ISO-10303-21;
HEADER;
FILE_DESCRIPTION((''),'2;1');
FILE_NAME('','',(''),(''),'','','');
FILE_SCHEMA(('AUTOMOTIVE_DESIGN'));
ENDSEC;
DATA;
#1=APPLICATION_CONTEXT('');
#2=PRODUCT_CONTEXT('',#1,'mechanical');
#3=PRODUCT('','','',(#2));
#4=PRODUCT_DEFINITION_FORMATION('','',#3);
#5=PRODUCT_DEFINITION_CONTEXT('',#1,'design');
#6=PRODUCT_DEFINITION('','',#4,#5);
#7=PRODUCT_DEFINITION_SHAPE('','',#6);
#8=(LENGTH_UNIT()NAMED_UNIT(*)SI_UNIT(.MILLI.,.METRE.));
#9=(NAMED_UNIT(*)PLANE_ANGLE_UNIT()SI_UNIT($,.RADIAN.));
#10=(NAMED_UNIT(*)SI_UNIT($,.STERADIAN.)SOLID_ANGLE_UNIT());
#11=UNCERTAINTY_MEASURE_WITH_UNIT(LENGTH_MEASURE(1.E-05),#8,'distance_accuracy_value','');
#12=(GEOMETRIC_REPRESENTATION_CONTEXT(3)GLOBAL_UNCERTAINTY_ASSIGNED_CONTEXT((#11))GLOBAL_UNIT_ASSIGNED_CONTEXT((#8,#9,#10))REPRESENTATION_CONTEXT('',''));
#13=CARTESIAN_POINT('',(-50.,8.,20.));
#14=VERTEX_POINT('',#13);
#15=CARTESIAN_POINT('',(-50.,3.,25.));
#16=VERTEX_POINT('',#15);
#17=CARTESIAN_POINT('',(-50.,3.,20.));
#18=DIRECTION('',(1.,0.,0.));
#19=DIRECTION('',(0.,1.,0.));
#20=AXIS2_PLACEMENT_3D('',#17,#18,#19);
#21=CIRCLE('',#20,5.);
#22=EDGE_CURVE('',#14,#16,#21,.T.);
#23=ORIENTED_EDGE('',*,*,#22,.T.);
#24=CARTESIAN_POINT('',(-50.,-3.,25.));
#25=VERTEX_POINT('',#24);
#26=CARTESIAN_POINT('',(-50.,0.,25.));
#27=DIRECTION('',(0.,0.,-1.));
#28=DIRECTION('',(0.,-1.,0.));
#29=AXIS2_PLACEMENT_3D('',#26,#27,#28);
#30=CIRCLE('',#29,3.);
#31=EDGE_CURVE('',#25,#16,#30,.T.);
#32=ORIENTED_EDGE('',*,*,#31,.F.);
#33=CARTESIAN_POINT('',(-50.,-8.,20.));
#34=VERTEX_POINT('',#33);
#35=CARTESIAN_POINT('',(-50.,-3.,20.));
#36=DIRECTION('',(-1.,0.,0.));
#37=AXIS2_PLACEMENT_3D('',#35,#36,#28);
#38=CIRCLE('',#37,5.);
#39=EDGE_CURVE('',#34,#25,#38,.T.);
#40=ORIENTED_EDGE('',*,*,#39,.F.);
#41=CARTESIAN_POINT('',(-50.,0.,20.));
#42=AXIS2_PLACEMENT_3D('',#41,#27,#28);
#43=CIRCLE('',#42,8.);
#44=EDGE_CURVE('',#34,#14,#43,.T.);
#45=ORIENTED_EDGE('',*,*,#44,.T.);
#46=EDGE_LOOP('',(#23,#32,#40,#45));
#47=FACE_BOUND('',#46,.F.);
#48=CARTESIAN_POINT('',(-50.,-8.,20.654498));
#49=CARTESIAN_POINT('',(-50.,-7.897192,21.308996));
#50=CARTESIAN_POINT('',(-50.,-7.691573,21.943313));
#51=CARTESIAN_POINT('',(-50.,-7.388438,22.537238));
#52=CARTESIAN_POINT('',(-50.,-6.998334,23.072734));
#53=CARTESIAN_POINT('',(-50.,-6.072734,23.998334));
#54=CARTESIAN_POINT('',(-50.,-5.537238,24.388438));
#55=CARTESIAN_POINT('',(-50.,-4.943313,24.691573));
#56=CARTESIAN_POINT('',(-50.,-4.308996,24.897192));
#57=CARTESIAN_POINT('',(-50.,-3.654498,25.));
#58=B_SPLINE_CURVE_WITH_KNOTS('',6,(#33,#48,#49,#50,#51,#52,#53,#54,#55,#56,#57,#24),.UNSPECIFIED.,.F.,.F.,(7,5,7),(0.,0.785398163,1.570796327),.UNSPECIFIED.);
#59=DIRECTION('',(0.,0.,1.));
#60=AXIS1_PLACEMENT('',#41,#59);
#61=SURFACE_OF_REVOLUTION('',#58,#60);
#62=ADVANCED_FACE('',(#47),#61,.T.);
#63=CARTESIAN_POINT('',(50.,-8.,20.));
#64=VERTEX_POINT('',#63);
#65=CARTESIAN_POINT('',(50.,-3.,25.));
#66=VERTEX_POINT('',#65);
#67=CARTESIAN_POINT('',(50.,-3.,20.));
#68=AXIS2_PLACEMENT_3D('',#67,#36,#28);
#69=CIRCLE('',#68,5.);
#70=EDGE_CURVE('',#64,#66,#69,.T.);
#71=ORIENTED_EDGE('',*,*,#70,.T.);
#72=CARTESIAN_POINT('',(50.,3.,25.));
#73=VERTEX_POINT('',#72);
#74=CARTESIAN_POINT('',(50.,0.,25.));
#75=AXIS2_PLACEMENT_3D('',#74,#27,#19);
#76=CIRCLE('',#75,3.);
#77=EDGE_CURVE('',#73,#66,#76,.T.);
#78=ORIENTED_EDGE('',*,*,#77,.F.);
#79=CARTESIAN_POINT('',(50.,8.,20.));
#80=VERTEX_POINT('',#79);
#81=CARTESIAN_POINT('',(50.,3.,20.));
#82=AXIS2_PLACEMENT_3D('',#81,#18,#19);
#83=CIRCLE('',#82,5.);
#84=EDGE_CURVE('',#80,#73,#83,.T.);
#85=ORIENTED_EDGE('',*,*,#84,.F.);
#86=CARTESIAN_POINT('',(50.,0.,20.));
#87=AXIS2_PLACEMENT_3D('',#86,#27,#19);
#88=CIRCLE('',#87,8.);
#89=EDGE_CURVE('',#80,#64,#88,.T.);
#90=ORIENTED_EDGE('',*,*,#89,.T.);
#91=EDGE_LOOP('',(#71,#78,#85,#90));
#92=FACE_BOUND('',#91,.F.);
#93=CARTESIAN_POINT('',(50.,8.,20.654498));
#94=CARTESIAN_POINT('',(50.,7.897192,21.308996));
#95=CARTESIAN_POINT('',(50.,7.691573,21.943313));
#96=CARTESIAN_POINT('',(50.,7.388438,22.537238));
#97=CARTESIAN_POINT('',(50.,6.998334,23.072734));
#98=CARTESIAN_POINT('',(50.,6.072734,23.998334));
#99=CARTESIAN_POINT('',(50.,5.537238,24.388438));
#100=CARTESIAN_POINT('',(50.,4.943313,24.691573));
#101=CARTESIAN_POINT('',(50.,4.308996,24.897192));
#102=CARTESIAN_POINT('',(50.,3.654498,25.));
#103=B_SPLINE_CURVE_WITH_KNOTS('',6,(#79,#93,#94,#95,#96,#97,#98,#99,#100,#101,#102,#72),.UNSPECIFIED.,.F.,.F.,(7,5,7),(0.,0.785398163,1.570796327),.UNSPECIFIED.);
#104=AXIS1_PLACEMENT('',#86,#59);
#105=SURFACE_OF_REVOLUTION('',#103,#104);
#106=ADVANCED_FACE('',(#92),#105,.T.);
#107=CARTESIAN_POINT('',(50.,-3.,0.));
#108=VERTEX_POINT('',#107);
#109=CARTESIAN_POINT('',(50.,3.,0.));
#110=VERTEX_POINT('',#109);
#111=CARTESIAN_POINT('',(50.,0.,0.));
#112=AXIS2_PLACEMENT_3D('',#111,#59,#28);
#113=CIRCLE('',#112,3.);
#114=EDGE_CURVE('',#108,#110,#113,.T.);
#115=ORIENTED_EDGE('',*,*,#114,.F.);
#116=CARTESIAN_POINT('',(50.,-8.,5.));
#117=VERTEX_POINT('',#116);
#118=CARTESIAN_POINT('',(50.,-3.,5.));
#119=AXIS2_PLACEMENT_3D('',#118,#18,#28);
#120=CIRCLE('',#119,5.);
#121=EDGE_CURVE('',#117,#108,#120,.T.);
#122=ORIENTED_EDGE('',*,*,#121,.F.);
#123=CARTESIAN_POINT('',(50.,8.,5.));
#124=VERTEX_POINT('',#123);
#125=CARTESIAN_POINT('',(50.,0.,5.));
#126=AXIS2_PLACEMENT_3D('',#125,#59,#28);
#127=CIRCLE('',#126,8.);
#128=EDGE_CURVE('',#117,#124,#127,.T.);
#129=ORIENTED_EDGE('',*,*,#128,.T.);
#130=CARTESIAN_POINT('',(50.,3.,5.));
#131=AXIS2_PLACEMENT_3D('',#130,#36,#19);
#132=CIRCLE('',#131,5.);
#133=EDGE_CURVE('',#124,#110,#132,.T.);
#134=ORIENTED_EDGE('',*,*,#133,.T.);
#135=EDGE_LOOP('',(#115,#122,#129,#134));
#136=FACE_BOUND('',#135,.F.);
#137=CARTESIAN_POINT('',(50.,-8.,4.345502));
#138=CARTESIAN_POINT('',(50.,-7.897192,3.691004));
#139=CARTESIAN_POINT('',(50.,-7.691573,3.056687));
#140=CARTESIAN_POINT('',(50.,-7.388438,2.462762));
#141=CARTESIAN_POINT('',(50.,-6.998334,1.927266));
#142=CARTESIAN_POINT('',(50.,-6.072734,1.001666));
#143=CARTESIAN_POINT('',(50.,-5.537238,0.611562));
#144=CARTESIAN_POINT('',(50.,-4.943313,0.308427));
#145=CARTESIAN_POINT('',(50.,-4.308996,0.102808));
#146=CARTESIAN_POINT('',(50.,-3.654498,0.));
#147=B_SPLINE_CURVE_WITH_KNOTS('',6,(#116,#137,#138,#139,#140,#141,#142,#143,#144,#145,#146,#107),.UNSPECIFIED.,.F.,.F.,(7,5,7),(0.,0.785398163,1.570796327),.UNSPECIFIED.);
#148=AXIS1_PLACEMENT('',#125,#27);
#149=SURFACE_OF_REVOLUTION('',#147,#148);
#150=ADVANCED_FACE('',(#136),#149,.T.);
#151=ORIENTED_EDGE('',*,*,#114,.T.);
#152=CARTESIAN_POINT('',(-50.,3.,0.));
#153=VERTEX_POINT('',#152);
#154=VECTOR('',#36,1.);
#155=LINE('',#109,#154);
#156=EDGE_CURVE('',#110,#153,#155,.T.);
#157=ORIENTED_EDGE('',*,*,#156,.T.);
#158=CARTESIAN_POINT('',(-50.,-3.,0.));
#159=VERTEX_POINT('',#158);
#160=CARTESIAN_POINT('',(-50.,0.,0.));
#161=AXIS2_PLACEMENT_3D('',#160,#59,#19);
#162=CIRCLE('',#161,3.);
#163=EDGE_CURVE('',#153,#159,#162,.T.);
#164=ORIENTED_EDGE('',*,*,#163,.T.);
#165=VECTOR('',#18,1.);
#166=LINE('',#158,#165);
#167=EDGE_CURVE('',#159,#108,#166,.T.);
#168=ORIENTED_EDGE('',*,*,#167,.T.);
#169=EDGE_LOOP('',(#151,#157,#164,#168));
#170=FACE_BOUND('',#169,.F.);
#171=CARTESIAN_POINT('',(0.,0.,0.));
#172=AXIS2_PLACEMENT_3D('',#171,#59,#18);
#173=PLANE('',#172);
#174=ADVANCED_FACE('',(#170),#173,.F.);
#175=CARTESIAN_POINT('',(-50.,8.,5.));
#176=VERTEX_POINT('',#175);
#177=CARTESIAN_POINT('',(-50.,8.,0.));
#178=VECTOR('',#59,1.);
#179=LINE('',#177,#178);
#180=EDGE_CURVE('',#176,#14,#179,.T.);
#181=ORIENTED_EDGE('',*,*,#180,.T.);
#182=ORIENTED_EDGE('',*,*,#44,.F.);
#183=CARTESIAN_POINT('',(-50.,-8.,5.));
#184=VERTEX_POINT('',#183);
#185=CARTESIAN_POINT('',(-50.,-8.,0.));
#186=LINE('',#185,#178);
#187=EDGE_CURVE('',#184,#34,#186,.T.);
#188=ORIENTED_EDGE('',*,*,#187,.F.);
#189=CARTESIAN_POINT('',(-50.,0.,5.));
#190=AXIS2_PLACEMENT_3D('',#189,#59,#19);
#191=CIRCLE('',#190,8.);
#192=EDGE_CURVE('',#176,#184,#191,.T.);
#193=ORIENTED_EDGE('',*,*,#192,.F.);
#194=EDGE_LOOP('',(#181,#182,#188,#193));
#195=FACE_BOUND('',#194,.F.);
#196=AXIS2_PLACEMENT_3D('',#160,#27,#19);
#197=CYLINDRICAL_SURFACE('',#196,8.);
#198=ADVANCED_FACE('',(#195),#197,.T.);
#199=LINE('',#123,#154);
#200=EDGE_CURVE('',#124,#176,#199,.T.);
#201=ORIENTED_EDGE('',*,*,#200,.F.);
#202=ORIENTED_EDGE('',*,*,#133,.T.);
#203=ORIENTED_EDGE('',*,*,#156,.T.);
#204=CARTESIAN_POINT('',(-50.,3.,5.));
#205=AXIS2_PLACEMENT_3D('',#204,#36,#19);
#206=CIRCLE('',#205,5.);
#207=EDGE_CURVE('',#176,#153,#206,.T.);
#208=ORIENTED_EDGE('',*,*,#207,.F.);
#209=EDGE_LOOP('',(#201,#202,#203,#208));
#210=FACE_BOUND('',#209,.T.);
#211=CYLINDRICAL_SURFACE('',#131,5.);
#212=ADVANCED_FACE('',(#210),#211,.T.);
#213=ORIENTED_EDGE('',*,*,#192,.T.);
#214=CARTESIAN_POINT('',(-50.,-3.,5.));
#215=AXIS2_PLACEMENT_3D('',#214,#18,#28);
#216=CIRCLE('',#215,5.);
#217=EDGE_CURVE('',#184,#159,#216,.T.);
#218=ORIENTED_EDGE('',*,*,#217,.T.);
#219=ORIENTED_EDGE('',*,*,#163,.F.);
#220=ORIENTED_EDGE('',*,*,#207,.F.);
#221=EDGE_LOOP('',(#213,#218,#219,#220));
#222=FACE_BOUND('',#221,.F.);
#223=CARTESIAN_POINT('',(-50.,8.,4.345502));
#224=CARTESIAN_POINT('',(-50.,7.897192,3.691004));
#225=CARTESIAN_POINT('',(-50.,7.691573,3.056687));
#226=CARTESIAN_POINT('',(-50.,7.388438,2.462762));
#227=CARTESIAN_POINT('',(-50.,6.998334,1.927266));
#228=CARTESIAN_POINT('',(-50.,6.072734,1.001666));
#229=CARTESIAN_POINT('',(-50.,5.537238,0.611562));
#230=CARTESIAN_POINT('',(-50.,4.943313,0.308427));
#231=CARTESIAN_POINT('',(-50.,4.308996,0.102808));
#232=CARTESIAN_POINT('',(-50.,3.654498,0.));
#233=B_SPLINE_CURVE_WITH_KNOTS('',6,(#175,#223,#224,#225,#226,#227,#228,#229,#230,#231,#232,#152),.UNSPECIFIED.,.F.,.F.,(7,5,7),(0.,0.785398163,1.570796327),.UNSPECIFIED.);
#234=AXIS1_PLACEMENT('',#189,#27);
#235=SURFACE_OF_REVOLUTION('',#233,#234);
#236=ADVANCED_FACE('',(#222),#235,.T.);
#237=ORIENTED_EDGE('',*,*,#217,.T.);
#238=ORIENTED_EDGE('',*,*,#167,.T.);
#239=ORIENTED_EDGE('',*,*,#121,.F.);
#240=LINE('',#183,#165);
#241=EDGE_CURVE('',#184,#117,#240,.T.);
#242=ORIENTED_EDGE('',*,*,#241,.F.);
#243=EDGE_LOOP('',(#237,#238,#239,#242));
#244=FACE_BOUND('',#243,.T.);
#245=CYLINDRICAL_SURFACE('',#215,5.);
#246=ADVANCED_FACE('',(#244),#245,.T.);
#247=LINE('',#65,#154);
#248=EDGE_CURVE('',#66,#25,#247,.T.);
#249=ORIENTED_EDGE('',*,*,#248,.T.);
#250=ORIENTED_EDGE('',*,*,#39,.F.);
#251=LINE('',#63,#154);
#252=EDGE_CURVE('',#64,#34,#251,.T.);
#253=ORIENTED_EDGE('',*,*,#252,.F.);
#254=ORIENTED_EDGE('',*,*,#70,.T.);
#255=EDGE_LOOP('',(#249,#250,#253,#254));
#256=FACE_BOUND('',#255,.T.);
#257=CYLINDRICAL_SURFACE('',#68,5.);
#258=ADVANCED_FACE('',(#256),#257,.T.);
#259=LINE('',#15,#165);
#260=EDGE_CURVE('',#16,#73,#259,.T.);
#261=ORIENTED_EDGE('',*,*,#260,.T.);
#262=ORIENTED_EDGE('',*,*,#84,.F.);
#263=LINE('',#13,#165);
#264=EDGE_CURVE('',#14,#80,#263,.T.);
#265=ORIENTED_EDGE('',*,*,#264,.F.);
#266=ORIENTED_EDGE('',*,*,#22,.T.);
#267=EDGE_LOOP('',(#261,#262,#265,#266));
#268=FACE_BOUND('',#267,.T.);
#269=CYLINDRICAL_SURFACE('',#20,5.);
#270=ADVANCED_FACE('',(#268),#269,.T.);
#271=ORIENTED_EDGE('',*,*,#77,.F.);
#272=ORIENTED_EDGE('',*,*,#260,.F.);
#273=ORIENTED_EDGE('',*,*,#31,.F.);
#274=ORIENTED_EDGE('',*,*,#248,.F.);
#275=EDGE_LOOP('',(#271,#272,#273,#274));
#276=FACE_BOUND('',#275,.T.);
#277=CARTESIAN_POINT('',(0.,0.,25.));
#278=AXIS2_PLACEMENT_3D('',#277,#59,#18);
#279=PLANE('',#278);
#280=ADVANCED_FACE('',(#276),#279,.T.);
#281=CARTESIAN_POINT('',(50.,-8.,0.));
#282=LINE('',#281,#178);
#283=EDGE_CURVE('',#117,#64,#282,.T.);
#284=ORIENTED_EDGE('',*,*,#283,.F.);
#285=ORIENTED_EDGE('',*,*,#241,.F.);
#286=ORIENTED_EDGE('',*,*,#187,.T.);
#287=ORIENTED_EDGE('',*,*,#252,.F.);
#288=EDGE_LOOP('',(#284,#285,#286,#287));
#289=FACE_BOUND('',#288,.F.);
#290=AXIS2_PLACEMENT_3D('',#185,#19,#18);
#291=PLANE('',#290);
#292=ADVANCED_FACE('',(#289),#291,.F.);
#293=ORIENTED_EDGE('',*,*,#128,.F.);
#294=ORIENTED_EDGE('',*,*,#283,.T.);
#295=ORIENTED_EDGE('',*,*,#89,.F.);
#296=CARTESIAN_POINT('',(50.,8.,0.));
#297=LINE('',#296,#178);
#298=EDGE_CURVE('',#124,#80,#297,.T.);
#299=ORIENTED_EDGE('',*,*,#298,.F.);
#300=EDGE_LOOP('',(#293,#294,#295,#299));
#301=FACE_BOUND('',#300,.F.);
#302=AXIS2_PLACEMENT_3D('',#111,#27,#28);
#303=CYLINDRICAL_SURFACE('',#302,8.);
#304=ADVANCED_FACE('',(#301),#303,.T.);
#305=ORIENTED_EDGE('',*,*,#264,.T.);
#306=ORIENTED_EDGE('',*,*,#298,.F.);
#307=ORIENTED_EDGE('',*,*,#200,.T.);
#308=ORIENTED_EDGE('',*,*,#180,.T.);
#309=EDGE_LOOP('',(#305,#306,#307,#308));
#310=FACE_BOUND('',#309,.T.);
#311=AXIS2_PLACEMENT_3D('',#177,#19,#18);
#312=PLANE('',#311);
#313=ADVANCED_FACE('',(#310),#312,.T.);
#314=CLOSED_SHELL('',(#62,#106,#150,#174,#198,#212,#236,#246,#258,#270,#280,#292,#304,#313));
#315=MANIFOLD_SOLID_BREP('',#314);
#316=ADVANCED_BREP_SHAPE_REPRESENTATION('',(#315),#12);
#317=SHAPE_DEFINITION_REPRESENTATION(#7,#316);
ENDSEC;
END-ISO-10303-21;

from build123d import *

# Parameters (mm, degrees)
F0_W     = 100
F0_H     = 16
F1_DEPTH = 25
F2_R     = 5


with BuildPart() as f1:
    # F0 (on Top) → F1 (new body)
    with BuildSketch(Plane.XY):
        Rectangle(F0_W, F0_H)
        with BuildLine():
            ThreePointArc((-50, 8), (-58, 0), (-50, -8))
            Line((-50, -8), (-50, 8))
        make_face()
        with BuildLine():
            Line((50, 8), (50, -8))
            ThreePointArc((50, -8), (58, 0), (50, 8))
        make_face()
    extrude(amount=F1_DEPTH)

    # F2
    f2_edges = [f1.edges().sort_by_distance(p)[0] for p in [
        (0, 8, 25),
        (0, -8, 25),
        (-58, 0, 25),
        (58, 0, 25),
        (0, -8, 0),
    ]]
    fillet(f2_edges, radius=F2_R)


solid = f1.part
